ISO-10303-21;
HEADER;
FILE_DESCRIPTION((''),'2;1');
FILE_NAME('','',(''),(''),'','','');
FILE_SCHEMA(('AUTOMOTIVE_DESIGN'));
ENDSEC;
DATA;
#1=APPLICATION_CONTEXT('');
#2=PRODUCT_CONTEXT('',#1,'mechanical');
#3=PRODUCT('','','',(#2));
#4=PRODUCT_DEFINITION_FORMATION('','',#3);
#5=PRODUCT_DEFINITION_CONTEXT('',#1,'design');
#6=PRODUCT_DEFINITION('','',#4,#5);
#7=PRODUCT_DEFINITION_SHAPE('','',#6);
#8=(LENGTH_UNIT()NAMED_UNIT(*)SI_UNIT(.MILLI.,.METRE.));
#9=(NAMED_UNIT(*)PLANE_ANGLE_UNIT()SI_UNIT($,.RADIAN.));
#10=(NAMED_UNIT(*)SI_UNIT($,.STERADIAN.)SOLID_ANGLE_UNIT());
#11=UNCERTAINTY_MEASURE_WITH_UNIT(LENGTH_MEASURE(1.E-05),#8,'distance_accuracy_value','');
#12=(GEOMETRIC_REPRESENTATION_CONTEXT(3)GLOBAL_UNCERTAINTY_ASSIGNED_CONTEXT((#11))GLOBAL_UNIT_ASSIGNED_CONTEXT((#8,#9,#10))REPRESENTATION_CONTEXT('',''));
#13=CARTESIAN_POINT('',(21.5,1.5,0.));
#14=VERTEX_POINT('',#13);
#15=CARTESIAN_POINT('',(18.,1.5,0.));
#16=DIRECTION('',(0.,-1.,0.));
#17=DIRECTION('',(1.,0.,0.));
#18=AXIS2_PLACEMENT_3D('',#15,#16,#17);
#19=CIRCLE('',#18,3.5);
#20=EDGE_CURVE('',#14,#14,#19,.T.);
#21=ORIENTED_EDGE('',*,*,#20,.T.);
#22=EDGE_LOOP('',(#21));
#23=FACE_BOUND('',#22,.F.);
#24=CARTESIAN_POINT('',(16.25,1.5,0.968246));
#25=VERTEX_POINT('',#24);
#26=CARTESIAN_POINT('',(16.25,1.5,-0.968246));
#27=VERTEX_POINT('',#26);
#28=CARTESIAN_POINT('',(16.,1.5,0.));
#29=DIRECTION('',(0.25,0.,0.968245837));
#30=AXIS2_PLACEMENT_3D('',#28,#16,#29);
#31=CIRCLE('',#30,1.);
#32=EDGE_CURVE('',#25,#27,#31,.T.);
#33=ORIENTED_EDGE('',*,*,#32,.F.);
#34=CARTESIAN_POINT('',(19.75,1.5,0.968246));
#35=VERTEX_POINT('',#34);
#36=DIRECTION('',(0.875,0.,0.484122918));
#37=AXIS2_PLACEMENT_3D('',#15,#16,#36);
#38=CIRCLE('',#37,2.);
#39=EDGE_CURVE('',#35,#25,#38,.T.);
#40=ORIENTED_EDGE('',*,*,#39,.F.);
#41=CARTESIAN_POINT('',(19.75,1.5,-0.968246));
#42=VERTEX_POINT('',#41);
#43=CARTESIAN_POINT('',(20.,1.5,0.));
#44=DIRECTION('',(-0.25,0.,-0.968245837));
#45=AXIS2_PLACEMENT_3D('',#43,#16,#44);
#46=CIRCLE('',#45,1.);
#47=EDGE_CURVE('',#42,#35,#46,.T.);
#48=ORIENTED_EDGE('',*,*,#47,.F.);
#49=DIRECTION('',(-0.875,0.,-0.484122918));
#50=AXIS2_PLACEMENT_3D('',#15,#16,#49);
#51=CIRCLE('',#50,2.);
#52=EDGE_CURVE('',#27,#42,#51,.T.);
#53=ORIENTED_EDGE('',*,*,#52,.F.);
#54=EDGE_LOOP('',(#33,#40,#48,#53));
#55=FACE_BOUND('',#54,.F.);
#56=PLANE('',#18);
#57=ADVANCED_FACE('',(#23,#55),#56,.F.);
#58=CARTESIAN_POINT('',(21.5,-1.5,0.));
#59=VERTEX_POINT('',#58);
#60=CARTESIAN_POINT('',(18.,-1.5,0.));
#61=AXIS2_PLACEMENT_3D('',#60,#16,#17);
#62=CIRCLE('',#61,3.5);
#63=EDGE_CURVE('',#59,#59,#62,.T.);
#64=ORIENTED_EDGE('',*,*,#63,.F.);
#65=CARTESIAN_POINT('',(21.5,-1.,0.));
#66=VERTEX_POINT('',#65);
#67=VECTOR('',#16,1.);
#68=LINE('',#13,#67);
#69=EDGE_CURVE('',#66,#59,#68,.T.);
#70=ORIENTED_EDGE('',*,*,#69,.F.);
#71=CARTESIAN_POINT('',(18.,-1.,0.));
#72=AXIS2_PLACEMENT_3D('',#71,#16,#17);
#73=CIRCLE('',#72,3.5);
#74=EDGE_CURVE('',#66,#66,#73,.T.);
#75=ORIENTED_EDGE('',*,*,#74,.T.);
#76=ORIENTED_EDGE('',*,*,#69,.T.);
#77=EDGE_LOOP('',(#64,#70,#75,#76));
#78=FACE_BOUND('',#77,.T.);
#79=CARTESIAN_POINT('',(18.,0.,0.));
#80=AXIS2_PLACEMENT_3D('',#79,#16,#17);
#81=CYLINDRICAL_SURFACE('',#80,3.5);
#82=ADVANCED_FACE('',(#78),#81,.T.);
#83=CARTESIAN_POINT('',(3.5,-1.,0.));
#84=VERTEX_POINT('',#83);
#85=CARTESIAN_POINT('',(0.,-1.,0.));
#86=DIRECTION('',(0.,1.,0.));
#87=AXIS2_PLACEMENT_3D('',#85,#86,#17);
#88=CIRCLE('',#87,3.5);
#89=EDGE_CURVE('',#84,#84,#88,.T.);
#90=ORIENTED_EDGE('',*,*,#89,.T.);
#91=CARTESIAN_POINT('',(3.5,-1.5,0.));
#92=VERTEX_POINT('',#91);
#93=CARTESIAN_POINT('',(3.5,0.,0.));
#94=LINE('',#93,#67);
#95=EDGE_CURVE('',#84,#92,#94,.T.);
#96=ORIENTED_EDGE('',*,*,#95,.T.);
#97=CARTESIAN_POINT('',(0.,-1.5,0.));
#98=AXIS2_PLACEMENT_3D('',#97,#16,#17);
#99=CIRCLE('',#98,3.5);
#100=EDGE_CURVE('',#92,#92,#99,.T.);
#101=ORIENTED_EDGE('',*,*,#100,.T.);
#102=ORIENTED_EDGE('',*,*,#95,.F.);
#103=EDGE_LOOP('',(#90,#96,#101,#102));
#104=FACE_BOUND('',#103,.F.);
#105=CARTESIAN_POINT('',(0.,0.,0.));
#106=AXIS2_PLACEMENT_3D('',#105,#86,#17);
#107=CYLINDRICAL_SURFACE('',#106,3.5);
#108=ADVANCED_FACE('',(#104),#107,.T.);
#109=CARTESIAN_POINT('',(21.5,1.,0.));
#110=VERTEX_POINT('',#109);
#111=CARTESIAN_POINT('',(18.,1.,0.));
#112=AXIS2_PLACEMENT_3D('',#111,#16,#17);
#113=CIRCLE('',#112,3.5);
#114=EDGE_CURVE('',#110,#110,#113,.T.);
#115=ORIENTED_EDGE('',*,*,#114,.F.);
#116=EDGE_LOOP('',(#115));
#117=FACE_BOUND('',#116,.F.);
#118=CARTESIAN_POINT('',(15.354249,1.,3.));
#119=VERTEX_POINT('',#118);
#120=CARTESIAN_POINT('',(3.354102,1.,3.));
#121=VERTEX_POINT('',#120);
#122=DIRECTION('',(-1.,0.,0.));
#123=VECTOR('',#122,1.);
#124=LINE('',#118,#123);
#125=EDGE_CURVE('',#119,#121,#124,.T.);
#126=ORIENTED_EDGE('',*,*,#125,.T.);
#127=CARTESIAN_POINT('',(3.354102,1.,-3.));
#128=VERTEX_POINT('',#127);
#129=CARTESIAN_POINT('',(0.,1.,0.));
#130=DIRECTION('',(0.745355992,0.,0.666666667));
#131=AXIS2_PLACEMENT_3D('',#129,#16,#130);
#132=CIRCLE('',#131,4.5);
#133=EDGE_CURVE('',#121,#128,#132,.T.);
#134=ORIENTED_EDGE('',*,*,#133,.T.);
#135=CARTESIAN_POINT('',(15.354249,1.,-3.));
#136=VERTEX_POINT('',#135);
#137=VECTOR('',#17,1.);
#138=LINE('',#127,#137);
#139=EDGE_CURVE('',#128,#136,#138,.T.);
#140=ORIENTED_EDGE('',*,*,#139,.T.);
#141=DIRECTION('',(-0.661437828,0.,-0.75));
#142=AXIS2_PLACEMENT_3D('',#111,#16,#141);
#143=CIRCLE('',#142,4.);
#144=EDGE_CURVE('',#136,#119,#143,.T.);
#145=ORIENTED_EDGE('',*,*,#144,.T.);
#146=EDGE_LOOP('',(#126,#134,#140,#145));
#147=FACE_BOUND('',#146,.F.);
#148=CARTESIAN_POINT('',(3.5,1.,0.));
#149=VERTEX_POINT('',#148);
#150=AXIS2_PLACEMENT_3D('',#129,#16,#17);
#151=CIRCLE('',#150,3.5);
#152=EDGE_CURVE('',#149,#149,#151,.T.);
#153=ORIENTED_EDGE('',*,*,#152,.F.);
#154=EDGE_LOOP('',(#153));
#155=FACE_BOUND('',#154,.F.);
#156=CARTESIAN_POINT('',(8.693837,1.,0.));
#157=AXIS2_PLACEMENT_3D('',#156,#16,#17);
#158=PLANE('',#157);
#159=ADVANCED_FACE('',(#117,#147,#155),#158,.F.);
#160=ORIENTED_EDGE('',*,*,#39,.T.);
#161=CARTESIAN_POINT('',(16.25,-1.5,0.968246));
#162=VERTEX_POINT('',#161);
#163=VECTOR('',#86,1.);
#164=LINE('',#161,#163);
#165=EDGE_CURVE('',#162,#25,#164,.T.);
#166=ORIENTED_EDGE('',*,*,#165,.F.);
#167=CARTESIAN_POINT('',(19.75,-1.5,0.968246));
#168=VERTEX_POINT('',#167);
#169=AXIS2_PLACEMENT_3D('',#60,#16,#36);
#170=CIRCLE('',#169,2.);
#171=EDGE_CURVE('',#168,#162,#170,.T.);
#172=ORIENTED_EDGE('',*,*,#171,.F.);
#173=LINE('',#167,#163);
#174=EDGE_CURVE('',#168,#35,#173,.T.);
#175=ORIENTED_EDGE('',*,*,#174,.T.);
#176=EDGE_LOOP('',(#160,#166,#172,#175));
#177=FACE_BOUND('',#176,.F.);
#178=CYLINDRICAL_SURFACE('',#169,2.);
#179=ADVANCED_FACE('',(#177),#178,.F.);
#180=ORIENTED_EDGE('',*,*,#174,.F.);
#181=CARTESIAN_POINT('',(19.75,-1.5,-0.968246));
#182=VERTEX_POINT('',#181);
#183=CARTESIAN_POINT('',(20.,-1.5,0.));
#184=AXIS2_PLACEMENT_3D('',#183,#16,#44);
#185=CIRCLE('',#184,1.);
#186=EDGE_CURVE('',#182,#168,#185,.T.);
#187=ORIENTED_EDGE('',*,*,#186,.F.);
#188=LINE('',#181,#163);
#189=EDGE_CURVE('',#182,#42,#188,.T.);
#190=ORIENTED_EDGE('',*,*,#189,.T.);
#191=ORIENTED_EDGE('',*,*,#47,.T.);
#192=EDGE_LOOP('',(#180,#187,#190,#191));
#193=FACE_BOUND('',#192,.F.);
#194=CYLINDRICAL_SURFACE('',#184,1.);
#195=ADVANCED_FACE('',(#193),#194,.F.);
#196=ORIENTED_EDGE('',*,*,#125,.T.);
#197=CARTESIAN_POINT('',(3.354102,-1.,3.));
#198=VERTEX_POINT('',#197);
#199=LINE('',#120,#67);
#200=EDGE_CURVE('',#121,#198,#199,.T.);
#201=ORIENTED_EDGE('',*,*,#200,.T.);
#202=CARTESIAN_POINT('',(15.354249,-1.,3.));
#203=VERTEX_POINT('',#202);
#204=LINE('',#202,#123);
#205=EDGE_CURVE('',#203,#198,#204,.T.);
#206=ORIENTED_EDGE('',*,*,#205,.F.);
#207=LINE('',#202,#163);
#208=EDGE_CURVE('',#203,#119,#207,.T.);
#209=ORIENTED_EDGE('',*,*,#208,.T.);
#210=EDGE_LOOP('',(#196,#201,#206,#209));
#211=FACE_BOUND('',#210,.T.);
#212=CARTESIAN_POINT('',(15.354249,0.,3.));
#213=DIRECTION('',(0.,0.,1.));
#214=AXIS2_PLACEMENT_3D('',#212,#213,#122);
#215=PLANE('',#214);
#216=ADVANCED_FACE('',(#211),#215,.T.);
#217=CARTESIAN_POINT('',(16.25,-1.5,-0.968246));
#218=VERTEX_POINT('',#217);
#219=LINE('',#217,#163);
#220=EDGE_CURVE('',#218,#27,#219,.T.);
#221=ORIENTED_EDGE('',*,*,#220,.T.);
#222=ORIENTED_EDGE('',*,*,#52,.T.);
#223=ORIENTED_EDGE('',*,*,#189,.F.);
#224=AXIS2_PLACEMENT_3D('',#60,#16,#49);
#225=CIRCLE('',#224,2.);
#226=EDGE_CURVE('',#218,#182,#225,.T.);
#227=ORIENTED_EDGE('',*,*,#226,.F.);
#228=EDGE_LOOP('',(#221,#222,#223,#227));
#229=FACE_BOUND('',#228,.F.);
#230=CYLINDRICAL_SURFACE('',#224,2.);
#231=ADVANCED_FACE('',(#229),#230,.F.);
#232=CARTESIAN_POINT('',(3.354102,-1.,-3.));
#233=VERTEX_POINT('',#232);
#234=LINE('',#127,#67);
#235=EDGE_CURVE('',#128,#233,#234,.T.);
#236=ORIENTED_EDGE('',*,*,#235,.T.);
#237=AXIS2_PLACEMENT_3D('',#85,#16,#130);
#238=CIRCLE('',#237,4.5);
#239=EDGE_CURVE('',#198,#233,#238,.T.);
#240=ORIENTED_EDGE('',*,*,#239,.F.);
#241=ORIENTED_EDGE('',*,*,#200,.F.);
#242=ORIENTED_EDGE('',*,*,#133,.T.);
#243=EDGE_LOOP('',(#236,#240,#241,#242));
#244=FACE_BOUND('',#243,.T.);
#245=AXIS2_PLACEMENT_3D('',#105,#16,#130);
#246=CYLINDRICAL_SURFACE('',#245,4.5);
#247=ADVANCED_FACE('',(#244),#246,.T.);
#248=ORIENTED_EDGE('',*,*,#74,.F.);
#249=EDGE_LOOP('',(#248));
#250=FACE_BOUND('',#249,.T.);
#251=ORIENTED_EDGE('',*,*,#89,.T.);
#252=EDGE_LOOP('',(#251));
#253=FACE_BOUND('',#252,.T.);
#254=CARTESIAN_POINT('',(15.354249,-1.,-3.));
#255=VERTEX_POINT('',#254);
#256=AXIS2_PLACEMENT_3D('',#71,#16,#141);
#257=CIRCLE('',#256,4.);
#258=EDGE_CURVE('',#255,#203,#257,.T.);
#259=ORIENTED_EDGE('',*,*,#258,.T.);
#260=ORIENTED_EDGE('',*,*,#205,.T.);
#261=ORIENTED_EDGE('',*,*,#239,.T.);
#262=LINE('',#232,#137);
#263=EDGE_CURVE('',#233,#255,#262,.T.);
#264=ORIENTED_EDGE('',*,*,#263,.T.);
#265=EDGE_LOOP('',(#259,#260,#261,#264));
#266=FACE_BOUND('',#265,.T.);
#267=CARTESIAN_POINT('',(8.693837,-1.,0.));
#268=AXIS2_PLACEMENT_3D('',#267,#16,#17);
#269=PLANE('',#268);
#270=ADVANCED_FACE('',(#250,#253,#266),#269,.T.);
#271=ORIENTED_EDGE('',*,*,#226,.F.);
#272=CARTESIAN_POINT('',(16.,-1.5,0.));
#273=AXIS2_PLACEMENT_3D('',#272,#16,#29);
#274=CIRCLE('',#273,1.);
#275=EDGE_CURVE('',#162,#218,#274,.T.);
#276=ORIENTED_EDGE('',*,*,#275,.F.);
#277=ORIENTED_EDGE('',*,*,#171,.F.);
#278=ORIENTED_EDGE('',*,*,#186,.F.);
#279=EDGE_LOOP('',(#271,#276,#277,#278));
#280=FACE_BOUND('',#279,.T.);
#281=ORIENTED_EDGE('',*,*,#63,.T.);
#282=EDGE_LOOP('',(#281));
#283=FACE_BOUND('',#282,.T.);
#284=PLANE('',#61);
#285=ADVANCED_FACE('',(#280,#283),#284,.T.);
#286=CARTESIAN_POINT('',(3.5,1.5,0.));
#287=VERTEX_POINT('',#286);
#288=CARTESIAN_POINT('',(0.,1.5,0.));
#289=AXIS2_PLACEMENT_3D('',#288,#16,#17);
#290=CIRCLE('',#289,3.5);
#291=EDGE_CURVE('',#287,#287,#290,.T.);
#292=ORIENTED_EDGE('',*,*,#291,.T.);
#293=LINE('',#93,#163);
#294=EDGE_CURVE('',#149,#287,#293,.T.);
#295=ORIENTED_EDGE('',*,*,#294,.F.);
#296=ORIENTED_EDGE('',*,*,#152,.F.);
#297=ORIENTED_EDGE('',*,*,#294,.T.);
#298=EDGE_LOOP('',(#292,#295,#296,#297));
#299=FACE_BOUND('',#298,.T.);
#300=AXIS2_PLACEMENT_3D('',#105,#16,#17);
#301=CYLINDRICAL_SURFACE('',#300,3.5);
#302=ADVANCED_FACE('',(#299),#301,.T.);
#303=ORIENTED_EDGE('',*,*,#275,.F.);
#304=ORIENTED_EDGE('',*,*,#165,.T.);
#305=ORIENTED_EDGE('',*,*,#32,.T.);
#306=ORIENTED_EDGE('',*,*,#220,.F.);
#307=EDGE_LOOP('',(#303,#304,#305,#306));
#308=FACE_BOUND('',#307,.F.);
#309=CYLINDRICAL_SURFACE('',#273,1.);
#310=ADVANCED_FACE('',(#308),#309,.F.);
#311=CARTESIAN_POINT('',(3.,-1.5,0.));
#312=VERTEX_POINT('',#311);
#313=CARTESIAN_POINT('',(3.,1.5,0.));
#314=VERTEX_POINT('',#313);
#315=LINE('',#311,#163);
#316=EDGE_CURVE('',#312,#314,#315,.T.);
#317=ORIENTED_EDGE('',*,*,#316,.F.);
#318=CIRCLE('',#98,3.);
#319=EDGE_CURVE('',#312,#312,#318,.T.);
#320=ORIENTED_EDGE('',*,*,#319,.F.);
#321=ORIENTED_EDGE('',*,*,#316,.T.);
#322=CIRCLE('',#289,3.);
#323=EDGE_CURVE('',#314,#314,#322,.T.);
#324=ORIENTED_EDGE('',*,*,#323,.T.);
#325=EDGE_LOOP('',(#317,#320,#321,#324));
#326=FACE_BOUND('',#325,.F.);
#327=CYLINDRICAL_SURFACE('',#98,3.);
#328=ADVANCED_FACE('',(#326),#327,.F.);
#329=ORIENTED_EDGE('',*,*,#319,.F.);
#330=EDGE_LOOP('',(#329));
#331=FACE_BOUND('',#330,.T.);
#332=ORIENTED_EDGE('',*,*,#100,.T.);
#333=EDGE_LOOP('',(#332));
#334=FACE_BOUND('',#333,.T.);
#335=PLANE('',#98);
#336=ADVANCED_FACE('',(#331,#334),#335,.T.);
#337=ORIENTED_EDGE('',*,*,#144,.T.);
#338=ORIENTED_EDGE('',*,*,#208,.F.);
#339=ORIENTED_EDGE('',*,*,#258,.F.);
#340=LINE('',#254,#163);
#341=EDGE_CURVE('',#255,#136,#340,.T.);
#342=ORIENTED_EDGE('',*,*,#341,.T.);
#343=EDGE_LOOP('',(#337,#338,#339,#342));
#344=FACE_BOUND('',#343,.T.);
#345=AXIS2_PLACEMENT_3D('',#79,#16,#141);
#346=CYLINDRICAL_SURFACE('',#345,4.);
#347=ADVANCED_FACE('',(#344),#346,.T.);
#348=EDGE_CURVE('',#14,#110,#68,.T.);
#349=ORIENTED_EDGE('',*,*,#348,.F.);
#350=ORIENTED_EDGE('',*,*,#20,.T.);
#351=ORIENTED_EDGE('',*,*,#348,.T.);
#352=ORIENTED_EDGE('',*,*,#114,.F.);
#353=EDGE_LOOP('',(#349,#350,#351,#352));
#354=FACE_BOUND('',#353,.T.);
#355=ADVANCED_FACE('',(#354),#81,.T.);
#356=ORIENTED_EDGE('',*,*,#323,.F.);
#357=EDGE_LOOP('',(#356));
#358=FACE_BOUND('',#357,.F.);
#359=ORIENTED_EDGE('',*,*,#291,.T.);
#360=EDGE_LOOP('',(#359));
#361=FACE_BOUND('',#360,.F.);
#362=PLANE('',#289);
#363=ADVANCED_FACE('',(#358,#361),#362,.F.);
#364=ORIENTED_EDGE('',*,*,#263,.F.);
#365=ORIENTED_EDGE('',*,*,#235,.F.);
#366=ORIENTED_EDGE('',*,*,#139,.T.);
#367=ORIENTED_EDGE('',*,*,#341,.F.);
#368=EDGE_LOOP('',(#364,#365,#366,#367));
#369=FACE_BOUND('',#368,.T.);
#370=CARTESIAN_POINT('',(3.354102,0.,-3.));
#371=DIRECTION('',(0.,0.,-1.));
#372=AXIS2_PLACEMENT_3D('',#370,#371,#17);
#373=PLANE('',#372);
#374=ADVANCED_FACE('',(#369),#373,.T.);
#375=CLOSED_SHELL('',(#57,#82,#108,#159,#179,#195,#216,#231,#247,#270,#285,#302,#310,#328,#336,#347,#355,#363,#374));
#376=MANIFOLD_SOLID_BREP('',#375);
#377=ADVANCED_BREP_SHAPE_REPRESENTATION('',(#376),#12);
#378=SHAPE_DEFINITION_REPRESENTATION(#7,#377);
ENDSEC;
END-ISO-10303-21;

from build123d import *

# Parameters (mm, degrees)
F1_DEPTH = 1
F2_R     = 3.5
F3_DEPTH = 1.5
F4_R     = 3
F5_DEPTH = 3.001


with BuildPart() as f1:
    # F0 (on Front) → F1 (new body, symmetric)
    with BuildSketch(Plane.XZ):
        with BuildLine():
            Line((15.3542486889, 3), (3.3541019662, 3))
            ThreePointArc((3.3541019662, 3), (-4.5, 0), (3.3541019662, -3))
            Line((3.3541019662, -3), (15.3542486889, -3))
            ThreePointArc((15.3542486889, -3), (22, 0), (15.3542486889, 3))
        make_face()
    extrude(amount=F1_DEPTH, both=True)

    # F2 (on Front) → F3 (join, symmetric)
    with BuildSketch(Plane.XZ):
        Circle(F2_R)
        with Locations((18, 0)):
            Circle(F2_R)
    extrude(amount=F3_DEPTH, both=True)

    # F4 (on face) → F5 (cut, through all)
    with BuildSketch(Plane.XZ.offset(1.5)):
        Circle(F4_R)
        with BuildLine():
            ThreePointArc((19.75, -0.9682458366), (21, 0), (19.75, 0.9682458366))
            ThreePointArc((19.75, 0.9682458366), (18, 2), (16.25, 0.9682458366))
            ThreePointArc((16.25, 0.9682458366), (15, 0), (16.25, -0.9682458366))
            ThreePointArc((16.25, -0.9682458366), (18, -2), (19.75, -0.9682458366))
        make_face()
    extrude(amount=-F5_DEPTH, mode=Mode.SUBTRACT)


solid = f1.part
